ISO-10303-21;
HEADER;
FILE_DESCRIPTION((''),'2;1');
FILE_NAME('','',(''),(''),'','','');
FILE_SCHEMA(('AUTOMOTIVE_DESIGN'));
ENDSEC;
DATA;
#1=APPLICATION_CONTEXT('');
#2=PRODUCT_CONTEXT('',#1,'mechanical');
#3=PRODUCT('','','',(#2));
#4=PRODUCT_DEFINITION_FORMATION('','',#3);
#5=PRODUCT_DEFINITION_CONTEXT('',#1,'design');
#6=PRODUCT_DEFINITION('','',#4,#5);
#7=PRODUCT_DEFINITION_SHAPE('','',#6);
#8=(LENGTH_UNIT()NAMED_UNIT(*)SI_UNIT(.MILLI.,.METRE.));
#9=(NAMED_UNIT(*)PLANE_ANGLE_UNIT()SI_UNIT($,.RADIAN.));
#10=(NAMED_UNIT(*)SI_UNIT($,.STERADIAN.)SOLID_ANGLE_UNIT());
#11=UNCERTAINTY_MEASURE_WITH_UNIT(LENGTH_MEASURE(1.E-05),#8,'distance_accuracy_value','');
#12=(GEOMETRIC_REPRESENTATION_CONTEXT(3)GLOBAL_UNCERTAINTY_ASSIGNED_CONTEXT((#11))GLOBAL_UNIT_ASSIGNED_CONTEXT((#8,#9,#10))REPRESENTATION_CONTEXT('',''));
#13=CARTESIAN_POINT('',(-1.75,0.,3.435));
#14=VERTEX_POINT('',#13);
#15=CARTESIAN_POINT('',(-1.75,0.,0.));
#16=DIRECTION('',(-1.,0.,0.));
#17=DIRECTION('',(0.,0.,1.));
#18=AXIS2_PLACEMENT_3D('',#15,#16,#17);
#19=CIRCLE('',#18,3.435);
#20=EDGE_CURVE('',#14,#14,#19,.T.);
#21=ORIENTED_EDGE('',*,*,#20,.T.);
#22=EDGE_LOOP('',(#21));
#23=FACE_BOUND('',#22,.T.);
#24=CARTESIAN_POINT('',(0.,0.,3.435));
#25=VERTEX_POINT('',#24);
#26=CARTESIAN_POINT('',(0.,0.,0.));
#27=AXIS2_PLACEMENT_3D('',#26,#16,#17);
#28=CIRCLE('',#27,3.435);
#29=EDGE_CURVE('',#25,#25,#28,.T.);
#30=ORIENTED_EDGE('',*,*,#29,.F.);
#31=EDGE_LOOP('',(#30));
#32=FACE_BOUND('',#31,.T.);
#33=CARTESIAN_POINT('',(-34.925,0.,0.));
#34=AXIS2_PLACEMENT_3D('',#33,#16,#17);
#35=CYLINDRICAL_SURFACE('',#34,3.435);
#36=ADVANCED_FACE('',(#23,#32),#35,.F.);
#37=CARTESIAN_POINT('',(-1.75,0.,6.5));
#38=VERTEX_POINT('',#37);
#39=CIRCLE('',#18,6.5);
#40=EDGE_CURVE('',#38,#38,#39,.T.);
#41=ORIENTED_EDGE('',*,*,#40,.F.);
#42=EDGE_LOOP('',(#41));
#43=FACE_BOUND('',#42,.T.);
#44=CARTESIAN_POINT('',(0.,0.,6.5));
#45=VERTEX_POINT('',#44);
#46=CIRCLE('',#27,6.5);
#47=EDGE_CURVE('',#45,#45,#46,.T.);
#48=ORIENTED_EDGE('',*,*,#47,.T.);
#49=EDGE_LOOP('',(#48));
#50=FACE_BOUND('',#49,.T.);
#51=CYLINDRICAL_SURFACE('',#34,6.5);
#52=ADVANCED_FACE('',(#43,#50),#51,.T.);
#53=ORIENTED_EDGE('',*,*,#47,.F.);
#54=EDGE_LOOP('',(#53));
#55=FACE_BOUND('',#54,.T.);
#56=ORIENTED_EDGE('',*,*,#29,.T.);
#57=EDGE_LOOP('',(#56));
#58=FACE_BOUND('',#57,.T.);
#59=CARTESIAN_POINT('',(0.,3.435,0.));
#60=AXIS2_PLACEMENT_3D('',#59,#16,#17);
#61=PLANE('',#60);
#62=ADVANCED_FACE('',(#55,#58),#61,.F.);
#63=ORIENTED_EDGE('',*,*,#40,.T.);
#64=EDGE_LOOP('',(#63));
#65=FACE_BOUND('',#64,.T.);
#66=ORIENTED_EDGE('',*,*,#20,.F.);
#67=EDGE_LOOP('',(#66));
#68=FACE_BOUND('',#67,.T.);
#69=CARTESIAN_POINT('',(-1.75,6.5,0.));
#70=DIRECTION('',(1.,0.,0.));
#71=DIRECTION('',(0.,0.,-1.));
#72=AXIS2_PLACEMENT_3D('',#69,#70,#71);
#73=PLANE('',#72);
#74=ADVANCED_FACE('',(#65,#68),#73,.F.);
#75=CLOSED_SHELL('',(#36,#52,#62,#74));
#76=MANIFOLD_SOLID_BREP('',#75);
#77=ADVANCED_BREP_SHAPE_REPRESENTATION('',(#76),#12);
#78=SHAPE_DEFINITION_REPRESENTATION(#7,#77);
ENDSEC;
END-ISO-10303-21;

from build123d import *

# Parameters (mm, degrees)
SKETCH1_W = 1.75
SKETCH1_H = 3.065


with BuildPart() as part:
    # Sketch1 → Base-Revolve (revolve)
    with BuildSketch(Plane.XY, mode=Mode.PRIVATE) as base_revolve_sk:
        with Locations((-0.875, 4.9675)):
            Rectangle(SKETCH1_W, SKETCH1_H)
    revolve(base_revolve_sk.sketch.rotate(Axis((-34.925, 0, 0), (1, 0, 0)), 90), axis=Axis((-34.925, 0, 0), (1, 0, 0)))


solid = part.part
